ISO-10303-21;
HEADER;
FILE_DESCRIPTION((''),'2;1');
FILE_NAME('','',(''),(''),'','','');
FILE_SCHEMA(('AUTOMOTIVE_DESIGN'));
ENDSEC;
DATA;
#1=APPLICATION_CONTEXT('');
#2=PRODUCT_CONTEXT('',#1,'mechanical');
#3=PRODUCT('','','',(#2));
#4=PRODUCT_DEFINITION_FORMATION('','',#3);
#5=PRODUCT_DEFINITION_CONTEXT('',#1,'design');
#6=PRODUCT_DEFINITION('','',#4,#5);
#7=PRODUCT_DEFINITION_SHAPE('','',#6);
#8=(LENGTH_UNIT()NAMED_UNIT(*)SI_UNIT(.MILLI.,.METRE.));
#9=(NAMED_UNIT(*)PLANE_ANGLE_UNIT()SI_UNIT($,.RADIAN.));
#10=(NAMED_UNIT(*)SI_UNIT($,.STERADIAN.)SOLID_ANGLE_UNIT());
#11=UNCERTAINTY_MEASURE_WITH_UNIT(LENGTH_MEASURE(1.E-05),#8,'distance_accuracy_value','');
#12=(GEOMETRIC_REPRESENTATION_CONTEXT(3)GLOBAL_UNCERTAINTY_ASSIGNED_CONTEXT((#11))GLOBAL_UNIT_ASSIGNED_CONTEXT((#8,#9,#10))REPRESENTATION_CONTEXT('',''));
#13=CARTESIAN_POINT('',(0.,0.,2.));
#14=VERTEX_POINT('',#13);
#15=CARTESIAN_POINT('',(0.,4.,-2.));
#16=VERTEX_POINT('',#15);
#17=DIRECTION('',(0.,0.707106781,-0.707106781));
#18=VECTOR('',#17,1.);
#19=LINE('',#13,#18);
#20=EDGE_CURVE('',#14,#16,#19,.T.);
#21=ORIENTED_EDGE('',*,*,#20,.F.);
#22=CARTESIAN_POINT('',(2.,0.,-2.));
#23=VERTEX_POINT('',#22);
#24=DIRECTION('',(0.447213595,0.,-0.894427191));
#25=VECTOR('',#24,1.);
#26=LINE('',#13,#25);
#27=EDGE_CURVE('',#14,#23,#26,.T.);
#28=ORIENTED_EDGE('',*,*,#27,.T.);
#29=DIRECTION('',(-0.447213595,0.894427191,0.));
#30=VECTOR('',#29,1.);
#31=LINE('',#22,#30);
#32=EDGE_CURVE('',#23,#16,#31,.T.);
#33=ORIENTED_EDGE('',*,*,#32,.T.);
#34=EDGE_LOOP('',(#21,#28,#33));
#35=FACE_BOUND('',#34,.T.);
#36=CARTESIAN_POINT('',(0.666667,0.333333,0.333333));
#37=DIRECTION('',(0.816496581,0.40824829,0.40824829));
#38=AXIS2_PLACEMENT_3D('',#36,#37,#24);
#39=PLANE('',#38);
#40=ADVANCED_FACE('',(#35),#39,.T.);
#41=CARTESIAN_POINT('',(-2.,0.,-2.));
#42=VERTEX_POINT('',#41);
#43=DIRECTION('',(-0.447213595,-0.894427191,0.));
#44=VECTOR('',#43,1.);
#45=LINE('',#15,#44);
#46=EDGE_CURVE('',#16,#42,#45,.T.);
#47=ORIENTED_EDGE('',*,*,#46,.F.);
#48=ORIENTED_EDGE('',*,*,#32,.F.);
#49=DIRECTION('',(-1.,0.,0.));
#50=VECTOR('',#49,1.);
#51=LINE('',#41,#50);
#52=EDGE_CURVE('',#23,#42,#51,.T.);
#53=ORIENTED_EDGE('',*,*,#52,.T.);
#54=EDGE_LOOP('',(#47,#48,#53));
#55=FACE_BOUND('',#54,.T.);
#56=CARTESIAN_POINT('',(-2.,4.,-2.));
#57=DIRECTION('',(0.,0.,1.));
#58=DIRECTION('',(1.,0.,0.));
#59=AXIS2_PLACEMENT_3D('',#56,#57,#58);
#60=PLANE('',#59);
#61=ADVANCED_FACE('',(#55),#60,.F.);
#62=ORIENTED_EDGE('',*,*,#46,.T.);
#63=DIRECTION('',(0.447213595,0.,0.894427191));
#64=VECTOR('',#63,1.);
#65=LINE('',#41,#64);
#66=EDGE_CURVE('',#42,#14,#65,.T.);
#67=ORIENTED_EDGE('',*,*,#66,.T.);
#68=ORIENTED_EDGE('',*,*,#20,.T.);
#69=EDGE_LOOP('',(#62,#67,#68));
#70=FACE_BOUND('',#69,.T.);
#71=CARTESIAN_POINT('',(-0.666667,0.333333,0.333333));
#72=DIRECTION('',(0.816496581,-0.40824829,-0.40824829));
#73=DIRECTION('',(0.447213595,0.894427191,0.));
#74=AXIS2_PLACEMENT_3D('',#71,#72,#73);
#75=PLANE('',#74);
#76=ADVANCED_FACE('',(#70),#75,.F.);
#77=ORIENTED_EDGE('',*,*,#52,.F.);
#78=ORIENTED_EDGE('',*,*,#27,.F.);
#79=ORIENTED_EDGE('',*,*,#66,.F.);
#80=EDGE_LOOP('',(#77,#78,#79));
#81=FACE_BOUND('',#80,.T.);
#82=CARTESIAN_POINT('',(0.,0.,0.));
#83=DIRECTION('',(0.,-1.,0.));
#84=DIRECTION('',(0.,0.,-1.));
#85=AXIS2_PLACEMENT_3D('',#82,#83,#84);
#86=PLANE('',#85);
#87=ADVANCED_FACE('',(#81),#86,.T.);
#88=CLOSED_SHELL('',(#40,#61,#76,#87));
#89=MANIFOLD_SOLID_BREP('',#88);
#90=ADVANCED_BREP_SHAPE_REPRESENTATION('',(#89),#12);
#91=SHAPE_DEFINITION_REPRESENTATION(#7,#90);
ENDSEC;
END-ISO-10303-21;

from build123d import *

# Parameters (mm, degrees)
SKETCH1_W           = 4
SKETCH1_H           = 4
BOSS_EXTRUDE1_DEPTH = 4
CUT_EXTRUDE1_DEPTH  = 10
CUT_EXTRUDE2_DEPTH  = 10


with BuildPart() as part:
    # Sketch1 → Boss-Extrude1 (new body)
    with BuildSketch(Plane(origin=(0, 0, 0), x_dir=(1, 0, 0), z_dir=(0, 1, 0))):
        Rectangle(SKETCH1_W, SKETCH1_H)
    extrude(amount=BOSS_EXTRUDE1_DEPTH)

    # 3DSketch1 → Cut-Extrude1 (cut, along a direction that is not the sketch's normal)
    with BuildSketch(Plane(origin=(0, 4, -2), x_dir=(0, -0.7071067811865476, 0.7071067811865476), z_dir=(0.816496580927726, -0.408248290463863, -0.408248290463863))):
        Polygon((0, 0), (2.828427125, 3.464101615), (5.656854249, 0), align=None)
    extrude(amount=-CUT_EXTRUDE1_DEPTH, dir=(0, -1, 0), mode=Mode.SUBTRACT)


with BuildPart() as body_2:
    # of the pieces the cut leaves, the one that is kept (cut_extrude1_keep)
    add(part.part.solids().sort_by_distance((2, 0, 2))[0])

    # 3DSketch2 → Cut-Extrude2 (cut, along a direction that is not the sketch's normal)
    with BuildSketch(Plane(origin=(0, 4, -2), x_dir=(0, -0.7071067811865475, 0.7071067811865476), z_dir=(0.816496580927726, 0.40824829046386313, 0.408248290463863))):
        Polygon((0, 0), (5.656854249, 0), (2.828427125, 3.464101615), align=None)
    extrude(amount=CUT_EXTRUDE2_DEPTH, dir=(0, 1, 0), mode=Mode.SUBTRACT)


with BuildPart() as body_2_2:
    # of the pieces the cut leaves, the one that is kept (cut_extrude2_keep)
    add(body_2.part.solids().sort_by_distance((-2, 0, -2))[0])


solid = body_2_2.part
